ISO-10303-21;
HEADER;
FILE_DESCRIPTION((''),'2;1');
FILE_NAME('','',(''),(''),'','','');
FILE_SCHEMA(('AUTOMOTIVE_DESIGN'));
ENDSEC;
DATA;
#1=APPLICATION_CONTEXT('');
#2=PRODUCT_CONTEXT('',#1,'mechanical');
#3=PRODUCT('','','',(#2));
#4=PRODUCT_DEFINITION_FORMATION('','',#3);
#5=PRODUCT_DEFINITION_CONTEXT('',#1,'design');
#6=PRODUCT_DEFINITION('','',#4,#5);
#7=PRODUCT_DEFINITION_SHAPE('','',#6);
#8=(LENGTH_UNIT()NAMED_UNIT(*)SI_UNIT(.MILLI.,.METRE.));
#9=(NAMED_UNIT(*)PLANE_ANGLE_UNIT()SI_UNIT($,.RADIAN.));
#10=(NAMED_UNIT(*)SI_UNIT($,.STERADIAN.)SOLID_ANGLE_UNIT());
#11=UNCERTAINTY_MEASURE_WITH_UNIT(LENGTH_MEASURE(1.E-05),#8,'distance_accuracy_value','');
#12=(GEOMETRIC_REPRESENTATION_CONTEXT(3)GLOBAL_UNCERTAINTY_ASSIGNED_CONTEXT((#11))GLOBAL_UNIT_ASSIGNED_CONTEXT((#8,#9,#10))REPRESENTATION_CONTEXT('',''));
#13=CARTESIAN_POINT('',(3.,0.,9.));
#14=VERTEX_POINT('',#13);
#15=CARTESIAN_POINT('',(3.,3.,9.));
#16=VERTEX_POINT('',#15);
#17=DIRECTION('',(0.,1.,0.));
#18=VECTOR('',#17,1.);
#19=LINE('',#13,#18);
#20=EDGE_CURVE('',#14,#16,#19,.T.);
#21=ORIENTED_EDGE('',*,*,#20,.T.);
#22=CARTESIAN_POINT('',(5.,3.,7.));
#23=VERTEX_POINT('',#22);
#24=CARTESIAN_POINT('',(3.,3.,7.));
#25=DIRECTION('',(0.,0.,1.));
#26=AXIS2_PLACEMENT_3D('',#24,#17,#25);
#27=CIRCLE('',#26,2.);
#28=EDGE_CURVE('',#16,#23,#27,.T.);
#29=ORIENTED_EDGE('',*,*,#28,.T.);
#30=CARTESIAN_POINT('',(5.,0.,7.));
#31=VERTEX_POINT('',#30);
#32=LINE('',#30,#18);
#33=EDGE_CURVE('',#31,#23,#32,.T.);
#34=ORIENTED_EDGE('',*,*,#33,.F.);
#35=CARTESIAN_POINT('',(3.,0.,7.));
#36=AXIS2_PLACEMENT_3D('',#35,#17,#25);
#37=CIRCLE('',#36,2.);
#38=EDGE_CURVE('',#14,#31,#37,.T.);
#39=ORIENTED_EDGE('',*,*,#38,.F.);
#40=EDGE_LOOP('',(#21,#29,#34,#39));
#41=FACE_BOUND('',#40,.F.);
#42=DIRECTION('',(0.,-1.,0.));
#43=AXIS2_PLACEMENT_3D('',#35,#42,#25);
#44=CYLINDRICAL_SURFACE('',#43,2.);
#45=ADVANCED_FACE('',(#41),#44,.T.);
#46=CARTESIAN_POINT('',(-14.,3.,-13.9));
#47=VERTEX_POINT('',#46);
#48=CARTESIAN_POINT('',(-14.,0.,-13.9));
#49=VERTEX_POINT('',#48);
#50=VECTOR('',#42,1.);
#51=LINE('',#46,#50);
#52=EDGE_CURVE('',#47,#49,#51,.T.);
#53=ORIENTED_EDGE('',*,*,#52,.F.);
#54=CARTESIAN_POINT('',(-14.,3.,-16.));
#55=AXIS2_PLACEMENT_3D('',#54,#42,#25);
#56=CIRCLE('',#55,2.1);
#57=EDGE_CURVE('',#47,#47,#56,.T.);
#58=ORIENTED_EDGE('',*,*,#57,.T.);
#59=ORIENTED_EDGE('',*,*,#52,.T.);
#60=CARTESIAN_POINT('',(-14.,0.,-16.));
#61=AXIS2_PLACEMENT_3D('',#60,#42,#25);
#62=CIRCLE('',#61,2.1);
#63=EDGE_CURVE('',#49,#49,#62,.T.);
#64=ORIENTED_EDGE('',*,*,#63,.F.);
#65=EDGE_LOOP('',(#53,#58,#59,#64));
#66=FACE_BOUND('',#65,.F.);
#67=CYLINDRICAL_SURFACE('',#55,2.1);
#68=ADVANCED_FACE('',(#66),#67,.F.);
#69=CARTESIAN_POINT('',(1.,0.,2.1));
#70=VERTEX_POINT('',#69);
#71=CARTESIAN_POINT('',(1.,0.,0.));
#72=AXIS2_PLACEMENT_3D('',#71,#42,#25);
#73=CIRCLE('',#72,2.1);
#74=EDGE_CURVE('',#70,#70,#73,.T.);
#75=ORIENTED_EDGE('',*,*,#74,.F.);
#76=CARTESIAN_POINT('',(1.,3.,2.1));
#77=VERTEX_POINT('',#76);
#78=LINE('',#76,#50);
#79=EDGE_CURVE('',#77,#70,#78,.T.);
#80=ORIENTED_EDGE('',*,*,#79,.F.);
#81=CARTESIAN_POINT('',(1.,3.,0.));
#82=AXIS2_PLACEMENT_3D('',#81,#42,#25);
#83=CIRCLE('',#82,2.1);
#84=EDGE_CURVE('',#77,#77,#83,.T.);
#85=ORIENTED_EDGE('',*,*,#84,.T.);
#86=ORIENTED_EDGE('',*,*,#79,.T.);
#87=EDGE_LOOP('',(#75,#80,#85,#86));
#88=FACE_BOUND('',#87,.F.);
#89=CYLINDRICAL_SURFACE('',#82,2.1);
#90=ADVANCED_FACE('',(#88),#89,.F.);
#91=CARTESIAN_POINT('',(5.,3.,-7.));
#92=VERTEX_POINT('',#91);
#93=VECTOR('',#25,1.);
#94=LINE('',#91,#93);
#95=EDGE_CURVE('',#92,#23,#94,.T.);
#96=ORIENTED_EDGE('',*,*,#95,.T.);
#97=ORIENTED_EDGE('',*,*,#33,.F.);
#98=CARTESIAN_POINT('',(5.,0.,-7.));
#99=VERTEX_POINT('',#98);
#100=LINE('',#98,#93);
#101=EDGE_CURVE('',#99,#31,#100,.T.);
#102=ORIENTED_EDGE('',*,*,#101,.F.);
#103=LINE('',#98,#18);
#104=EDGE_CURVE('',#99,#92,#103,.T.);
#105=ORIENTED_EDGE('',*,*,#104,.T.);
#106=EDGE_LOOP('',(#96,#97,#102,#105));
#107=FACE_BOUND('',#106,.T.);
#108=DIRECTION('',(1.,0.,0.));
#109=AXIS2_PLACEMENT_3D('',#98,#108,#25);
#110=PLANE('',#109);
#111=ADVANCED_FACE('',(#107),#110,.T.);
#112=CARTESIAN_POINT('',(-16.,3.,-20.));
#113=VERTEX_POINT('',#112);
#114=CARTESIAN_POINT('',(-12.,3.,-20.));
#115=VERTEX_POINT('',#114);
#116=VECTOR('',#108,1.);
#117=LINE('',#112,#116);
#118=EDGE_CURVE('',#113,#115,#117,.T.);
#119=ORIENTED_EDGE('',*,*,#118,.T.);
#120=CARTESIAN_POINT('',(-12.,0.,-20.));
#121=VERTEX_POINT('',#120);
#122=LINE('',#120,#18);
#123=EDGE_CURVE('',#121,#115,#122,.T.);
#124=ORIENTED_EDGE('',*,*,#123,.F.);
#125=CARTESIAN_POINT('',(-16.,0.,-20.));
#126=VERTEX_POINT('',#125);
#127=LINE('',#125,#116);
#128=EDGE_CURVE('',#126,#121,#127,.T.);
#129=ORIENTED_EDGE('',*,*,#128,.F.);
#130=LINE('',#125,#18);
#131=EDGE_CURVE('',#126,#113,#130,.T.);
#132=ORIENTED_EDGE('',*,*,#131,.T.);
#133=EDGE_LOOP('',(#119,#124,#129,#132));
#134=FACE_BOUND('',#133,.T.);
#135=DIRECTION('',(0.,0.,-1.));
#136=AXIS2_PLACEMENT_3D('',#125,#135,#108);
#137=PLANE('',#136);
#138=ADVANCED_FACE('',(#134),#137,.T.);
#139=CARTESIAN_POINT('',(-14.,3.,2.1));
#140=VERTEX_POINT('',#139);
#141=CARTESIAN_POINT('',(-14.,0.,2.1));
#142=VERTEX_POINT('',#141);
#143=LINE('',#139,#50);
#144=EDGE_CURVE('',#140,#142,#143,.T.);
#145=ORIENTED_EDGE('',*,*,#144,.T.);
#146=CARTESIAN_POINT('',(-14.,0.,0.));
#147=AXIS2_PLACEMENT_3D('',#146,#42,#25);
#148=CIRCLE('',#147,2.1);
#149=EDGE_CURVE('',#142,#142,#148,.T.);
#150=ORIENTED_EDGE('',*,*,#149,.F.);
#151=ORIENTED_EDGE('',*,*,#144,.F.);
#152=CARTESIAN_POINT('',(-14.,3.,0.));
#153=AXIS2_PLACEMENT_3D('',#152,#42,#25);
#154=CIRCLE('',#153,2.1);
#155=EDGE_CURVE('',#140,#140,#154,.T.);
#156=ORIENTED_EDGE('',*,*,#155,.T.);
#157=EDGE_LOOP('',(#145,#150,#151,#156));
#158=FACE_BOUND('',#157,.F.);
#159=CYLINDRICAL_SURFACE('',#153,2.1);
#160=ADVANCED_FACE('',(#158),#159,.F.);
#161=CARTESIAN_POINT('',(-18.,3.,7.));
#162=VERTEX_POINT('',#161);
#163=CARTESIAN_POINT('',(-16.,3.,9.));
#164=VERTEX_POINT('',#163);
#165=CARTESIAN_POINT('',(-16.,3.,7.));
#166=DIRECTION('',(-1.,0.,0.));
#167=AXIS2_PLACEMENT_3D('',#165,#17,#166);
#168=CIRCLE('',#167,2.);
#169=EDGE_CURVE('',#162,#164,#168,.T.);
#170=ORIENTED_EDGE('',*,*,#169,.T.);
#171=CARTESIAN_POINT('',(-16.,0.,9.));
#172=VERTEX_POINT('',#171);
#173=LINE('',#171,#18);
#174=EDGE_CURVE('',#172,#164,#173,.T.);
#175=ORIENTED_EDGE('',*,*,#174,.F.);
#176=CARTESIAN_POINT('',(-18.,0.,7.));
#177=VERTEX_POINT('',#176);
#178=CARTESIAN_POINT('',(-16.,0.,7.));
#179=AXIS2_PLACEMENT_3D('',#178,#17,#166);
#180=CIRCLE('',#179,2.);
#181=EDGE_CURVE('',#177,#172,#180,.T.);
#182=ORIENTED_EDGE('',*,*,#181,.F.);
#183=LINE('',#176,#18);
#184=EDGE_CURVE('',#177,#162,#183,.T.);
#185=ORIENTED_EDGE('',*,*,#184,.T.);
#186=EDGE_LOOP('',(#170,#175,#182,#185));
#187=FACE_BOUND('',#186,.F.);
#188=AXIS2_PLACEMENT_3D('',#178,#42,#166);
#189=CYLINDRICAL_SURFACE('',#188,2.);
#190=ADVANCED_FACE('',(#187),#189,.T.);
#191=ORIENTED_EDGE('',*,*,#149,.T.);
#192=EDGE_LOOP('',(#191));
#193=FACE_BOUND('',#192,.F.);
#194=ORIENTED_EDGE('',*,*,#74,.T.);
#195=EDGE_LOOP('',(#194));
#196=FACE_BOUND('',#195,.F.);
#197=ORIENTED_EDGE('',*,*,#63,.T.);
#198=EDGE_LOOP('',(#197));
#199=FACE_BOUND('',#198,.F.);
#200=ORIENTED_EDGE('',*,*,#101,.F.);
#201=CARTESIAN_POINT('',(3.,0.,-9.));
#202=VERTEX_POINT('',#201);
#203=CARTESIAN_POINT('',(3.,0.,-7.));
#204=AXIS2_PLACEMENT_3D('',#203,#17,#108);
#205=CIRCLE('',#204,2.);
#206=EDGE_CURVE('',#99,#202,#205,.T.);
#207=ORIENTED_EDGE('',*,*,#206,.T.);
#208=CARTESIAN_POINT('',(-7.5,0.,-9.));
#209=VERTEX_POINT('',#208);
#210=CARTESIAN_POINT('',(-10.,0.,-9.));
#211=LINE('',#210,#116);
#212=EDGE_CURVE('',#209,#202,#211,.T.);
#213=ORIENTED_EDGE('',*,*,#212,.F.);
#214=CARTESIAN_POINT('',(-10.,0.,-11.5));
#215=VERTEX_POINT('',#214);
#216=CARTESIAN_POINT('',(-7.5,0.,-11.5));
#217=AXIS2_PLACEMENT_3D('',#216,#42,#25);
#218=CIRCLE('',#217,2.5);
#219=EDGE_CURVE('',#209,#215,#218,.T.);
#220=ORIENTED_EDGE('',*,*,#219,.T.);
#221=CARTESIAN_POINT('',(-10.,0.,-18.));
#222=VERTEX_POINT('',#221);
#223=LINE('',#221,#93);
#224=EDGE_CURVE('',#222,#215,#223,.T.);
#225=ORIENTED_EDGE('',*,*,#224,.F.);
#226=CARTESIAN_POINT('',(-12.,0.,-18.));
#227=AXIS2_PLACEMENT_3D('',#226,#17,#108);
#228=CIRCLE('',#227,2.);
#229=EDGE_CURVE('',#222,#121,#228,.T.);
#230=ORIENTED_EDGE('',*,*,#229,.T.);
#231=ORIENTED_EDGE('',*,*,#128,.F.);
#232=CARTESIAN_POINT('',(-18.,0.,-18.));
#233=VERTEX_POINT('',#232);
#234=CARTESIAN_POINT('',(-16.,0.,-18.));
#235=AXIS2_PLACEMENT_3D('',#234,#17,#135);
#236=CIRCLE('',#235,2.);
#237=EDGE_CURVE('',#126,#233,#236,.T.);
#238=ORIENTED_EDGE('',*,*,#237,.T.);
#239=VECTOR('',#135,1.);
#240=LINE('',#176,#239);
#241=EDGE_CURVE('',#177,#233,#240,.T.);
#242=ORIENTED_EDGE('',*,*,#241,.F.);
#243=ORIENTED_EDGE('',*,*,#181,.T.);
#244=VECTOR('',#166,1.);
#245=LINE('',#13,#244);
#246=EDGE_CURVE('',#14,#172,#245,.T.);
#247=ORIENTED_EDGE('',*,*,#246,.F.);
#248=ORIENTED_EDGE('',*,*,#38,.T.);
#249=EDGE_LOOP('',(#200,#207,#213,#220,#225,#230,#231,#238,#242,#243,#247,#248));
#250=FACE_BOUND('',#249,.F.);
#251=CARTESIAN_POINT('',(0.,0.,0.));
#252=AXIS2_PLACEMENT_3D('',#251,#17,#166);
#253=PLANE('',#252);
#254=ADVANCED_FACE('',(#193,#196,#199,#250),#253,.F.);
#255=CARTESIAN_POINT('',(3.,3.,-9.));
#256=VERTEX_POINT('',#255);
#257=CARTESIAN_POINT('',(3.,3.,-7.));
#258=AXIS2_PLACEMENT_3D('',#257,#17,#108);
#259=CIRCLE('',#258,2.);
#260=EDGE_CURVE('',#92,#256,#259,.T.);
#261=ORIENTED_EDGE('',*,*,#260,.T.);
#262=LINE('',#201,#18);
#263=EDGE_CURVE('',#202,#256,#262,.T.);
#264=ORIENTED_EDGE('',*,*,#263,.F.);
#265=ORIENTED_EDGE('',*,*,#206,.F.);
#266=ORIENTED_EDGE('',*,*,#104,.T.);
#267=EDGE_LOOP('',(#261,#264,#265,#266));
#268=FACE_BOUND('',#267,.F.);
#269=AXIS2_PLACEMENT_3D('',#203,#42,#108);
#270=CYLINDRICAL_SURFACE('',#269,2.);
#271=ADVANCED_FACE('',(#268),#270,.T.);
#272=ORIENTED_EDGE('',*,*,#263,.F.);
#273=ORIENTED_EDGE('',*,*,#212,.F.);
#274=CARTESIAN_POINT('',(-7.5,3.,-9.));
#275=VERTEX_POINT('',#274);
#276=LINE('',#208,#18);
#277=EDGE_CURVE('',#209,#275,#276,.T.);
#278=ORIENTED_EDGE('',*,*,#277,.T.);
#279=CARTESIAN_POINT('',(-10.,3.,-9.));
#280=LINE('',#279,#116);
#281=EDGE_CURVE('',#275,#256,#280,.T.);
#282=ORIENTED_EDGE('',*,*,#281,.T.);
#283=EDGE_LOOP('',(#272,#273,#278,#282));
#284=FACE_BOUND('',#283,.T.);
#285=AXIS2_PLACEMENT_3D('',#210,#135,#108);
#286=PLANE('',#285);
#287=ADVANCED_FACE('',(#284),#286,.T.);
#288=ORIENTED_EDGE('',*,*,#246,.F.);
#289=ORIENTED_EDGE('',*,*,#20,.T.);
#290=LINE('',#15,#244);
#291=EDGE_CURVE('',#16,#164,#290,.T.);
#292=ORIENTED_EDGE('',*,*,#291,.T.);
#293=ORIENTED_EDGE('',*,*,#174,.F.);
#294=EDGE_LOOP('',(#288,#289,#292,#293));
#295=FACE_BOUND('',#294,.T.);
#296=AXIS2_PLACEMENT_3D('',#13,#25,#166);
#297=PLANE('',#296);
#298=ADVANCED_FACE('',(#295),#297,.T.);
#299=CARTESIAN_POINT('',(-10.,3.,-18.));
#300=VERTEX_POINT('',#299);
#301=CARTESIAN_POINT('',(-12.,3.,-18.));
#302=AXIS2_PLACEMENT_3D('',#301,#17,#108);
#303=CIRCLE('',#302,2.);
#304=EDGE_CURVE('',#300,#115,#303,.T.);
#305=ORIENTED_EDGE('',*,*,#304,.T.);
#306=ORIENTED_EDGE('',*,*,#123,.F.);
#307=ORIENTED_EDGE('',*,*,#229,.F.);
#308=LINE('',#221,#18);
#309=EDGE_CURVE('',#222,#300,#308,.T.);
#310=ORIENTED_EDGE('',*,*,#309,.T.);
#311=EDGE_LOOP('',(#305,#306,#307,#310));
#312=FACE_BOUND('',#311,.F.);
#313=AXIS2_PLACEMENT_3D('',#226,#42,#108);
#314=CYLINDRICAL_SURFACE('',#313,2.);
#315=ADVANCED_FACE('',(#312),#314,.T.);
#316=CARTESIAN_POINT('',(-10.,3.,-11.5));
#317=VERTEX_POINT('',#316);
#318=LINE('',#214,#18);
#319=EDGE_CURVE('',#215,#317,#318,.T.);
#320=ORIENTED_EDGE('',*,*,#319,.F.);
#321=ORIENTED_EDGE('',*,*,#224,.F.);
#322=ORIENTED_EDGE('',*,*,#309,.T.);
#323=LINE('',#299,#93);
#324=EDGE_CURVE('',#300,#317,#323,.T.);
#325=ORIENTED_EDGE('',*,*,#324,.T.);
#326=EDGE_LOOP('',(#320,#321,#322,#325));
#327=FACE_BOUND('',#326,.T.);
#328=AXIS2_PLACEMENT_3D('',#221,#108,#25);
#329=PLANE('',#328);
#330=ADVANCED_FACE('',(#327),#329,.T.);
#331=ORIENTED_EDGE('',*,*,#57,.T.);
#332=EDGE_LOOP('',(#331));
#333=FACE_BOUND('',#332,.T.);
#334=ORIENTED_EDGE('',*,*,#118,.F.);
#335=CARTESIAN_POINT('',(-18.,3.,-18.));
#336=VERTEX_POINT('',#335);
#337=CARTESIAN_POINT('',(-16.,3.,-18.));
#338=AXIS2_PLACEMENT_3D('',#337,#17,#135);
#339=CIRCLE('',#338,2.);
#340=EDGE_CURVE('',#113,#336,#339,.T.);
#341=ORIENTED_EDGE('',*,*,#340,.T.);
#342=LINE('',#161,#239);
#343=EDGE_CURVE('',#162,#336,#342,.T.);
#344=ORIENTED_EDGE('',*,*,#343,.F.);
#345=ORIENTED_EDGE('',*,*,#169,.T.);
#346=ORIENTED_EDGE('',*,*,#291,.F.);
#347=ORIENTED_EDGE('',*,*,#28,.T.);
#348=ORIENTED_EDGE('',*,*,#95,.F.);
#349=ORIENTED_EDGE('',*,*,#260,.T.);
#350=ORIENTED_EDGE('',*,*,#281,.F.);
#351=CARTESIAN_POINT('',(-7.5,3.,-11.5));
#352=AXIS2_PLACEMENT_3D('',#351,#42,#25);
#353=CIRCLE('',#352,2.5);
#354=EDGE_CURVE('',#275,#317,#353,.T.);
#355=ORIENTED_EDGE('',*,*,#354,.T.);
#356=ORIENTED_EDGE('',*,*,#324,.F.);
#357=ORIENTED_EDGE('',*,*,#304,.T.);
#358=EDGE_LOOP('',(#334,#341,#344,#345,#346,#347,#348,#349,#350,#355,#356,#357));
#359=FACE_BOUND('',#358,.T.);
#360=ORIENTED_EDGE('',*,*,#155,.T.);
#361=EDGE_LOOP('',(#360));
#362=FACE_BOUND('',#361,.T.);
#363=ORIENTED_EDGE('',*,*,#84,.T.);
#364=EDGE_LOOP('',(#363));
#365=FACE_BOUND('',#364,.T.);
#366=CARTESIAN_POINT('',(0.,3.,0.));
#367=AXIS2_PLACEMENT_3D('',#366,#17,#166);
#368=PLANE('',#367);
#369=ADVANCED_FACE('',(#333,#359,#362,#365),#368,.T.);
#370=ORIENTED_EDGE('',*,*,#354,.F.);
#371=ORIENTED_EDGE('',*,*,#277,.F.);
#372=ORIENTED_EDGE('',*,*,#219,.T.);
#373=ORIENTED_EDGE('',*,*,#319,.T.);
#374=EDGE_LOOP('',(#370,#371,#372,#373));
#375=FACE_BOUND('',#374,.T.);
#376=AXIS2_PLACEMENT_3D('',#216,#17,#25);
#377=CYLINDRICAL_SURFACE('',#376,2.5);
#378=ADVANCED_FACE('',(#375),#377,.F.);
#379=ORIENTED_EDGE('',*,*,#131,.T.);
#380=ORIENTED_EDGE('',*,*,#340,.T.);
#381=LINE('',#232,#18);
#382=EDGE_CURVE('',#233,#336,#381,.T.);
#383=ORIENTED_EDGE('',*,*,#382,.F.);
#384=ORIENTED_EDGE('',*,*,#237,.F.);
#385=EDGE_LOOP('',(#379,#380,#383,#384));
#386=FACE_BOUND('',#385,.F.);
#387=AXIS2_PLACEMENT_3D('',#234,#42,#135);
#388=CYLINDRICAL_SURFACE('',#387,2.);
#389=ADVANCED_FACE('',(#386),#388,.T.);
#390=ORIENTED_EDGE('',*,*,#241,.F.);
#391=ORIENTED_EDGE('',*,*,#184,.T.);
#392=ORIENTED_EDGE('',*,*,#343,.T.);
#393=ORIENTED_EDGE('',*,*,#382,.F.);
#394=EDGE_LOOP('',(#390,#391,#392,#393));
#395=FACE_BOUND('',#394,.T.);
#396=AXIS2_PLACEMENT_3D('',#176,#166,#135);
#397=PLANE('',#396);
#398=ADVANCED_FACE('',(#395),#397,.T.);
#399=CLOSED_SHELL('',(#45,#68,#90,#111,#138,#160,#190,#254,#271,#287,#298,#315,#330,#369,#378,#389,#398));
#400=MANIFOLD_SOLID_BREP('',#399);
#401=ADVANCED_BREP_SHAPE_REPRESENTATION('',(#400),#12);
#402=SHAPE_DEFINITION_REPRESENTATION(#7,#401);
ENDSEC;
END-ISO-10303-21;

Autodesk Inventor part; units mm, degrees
ref_plane "YZ Plane" through (0, 0, 0) normal (1, 0, 0) x (0, 1, 0)
ref_plane "XZ Plane" through (0, 0, 0) normal (0, 1, 0) x (-1, 0, 0)
ref_plane "XY Plane" through (0, 0, 0) normal (0, 0, 1) x (1, 0, 0)
sketch "スケッチ1" plane through (0, 0, 0) normal (0, 1, 0) x (-1, 0, 0)
  line L0 (-3, 9) -> (16, 9)
  line L1 (10, -9) -> (-3, -9)
  line L2 (-5, -7) -> (-5, 7)
  line L3 (16, -20) -> (12, -20)
  line L4 (10, -18) -> (10, -9)
  arc A0 (16, -20) -> (18, -18) centre (16, -18) ccw
  arc A1 (10, -18) -> (12, -20) centre (12, -18) ccw
  arc A2 (-5, -7) -> (-3, -9) centre (-3, -7) ccw
  arc A3 (-3, 9) -> (-5, 7) centre (-3, 7) ccw
  line L5 (18, 7) -> (18, -18)
  arc A4 (18, 7) -> (16, 9) centre (16, 7) ccw
  point P0 (0, 0)
  point P1 (-5, 9)
  point P2 (-5, -9)
  point P3 (18, -20)
  point P4 (10, -20)
  point P5 (10, 9)
  point P6 (18, 9)
  dimension "d0" = 5
  dimension "d4" = 18
  dimension "d5" = 9
  dimension "d7" = 20
  dimension "d8" = 10
  dimension "d40" = 2
extrude "プレート1" add sketch "スケッチ1" along normal blind 3
sketch "スケッチ3" plane through (0, 3, 0) normal (0, 1, 0) x (1, 0, 0)
  line L0 (-10, 18) -> (-10, 9) projected
  line L1 (-16, 20) -> (-12, 20) projected
  line L2 (-18, -7) -> (-18, 18) projected
  line L3 (-10, 9) -> (3, 9) projected
  line L4 (3, -9) -> (-16, -9) projected
  point P0 (-14, 16)
  point P1 (-14, 0)
  dimension "d42" = 4
  dimension "d43" = 4
  dimension "d44" = 4
  dimension "d45" = 18
  dimension "d46" = 9
hole "穴3" at (1, 3, 0) direction (0, -1, 0) diameter 4.2 end through all
sketch "スケッチ2" plane through (0, 0, 0) normal (0, -1, 0) x (1, 0, 0)
  circle A0 centre (1, 0) radius 2.1 projected
  line L0 (3, 9) -> (-16, 9) projected
  arc A1 (-18, -18) -> (-16, -20) centre (-16, -18) ccw projected
  line L1 (-16, -20) -> (-12, -20) projected
  arc A2 (-12, -20) -> (-10, -18) centre (-12, -18) ccw projected
  line L2 (-10, -18) -> (-10, -9) projected
  line L3 (-10, -9) -> (3, -9) projected
  arc A3 (3, -9) -> (5, -7) centre (3, -7) ccw projected
  line L4 (5, -7) -> (5, 7) projected
  arc A4 (5, 7) -> (3, 9) centre (3, 7) ccw projected
  line L5 (-18, 7) -> (-18, -18) projected
  arc A5 (-16, 9) -> (-18, 7) centre (-16, 7) ccw projected
  point P0 (0, 0)
fillet "フィレット1" radius 2.5 1 edges at (-10, 1.5, -9)
hole "穴4" at (-14, 3, -16) at (-14, 3, 0) direction (0, -1, 0) diameter 4.2 end through all
equation "\"d5\" = 0.5 * d4"
equation "\"d7\" = 0.5 * d6"
equation "\"d44\" = d43"
equation "\"d37\" = Thickness"
equation "\"d52\" = Thickness"
equation "\"d9\" = Thickness"
equation "\"BendRadius\" = Thickness"
equation "\"BendReliefWidth\" = Thickness"
equation "\"BendReliefDepth\" = 0.5 * Thickness"
equation "\"CornerReliefSize\" = 4 * Thickness"
equation "\"MinimumRemnant\" = 2 * Thickness"
equation "\"TransitionRadius\" = BendRadius"
equation "\"JacobiRadiusSize\" = BendRadius"
equation "\"GapSize\" = Thickness"
equation "\"Thickness\" = 3"
equation "\"d6\" = 40"
properties part number "L_almite_braket"
